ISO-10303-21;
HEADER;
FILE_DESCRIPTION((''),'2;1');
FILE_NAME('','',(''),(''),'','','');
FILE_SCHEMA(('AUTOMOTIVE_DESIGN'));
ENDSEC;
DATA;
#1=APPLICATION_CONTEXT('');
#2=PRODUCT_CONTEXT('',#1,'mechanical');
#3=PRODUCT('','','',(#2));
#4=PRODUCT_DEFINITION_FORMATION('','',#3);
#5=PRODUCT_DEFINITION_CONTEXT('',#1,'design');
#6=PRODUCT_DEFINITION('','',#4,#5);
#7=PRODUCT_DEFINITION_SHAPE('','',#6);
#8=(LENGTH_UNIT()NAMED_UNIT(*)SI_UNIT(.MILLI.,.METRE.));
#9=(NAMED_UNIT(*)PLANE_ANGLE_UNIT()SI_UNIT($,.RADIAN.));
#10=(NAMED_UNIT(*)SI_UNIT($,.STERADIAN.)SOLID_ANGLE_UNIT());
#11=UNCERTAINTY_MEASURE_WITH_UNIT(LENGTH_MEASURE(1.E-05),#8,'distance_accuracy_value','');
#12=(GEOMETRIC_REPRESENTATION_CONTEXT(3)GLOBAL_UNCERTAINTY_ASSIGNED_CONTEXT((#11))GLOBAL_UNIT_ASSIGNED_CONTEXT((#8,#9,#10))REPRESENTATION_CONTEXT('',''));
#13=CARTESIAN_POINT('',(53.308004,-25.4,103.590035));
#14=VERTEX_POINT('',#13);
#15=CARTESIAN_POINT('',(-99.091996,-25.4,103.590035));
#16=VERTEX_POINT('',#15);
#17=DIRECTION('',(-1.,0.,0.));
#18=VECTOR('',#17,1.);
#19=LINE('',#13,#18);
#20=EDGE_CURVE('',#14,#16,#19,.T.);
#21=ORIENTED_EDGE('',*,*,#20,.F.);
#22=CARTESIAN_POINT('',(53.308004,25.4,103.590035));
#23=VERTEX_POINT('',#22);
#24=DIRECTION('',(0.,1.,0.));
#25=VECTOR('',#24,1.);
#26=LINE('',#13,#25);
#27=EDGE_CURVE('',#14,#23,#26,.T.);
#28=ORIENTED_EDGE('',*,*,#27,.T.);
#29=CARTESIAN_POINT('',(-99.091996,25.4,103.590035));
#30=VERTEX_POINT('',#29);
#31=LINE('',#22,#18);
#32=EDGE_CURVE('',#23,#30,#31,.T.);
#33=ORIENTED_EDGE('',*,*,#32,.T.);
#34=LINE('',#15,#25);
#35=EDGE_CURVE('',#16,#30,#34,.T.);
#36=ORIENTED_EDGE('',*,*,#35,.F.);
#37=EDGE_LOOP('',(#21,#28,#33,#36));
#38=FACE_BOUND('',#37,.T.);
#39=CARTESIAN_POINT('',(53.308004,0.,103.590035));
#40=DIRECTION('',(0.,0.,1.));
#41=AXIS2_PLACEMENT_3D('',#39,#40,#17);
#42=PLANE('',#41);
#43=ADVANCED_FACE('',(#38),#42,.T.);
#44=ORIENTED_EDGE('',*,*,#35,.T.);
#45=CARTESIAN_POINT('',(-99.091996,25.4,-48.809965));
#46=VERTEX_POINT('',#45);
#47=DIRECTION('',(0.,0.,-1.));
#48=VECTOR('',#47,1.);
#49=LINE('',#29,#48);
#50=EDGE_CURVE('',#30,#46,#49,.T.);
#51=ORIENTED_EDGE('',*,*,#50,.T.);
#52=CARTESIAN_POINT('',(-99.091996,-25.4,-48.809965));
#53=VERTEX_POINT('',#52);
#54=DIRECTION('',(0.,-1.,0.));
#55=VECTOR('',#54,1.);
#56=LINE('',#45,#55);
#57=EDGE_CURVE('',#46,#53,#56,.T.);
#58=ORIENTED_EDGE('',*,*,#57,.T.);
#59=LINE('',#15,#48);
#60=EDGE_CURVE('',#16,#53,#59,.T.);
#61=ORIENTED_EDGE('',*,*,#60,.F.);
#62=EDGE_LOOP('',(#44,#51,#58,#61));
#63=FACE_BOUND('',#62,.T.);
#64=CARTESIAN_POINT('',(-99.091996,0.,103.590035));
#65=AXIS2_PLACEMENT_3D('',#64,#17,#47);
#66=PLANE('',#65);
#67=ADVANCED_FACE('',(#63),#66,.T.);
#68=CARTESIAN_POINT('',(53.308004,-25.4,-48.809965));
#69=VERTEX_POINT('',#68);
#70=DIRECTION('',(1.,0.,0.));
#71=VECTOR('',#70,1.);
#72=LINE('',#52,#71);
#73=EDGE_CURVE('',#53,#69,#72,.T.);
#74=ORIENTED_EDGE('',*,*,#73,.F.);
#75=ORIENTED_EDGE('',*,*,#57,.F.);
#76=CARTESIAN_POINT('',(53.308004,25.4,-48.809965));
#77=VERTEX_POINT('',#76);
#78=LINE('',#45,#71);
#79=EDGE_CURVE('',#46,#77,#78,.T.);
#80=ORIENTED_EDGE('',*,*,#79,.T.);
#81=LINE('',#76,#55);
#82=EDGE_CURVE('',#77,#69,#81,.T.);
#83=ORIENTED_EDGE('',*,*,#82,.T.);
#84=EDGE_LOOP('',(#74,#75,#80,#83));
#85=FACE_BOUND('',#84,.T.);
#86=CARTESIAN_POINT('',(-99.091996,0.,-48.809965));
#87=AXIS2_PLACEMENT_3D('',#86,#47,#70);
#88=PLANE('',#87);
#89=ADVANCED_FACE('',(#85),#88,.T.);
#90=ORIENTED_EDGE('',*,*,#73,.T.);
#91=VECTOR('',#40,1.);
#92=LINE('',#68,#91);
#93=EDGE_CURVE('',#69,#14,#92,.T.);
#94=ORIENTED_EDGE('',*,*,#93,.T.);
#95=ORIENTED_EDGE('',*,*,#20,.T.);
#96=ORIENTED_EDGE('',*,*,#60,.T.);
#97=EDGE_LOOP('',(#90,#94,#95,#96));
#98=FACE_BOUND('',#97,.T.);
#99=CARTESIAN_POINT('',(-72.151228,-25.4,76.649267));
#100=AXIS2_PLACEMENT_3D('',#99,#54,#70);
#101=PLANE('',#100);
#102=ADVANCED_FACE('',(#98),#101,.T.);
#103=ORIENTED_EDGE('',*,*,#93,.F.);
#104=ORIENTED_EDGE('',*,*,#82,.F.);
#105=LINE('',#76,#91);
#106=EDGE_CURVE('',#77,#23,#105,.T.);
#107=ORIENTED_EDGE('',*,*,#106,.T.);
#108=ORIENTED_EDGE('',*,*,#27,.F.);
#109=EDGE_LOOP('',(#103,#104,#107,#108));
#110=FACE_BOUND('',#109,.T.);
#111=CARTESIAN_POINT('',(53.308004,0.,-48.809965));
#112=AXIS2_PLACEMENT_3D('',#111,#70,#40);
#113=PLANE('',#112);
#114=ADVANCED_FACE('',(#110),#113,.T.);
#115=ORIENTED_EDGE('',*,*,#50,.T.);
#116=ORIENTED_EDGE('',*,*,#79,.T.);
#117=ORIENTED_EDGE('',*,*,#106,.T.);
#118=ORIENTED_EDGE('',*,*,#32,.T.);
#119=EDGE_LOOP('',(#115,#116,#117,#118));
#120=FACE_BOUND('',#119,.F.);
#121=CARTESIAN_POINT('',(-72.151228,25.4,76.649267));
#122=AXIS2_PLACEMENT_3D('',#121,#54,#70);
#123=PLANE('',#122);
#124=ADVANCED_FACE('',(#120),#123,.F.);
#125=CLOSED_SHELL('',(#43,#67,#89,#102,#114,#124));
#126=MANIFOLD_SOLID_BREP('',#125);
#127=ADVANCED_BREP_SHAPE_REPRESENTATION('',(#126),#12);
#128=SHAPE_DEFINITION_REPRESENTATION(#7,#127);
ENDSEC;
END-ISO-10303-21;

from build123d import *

# Parameters (mm, degrees)
F1_DEPTH = 25.4


with BuildPart() as f1:
    # F0 (on Front) → F1 (new body, symmetric)
    with BuildSketch(Plane.XZ):
        Polygon((-99.091996, 103.590035), (-99.091996, 27.390035), (-22.891996, 103.590035), align=None)
        Polygon((-99.091996, 27.390035), (-99.091996, -48.809965), (53.308004, -48.809965), (53.308004, 103.590035), (-22.891996, 103.590035), align=None)
    extrude(amount=F1_DEPTH, both=True)


solid = f1.part
